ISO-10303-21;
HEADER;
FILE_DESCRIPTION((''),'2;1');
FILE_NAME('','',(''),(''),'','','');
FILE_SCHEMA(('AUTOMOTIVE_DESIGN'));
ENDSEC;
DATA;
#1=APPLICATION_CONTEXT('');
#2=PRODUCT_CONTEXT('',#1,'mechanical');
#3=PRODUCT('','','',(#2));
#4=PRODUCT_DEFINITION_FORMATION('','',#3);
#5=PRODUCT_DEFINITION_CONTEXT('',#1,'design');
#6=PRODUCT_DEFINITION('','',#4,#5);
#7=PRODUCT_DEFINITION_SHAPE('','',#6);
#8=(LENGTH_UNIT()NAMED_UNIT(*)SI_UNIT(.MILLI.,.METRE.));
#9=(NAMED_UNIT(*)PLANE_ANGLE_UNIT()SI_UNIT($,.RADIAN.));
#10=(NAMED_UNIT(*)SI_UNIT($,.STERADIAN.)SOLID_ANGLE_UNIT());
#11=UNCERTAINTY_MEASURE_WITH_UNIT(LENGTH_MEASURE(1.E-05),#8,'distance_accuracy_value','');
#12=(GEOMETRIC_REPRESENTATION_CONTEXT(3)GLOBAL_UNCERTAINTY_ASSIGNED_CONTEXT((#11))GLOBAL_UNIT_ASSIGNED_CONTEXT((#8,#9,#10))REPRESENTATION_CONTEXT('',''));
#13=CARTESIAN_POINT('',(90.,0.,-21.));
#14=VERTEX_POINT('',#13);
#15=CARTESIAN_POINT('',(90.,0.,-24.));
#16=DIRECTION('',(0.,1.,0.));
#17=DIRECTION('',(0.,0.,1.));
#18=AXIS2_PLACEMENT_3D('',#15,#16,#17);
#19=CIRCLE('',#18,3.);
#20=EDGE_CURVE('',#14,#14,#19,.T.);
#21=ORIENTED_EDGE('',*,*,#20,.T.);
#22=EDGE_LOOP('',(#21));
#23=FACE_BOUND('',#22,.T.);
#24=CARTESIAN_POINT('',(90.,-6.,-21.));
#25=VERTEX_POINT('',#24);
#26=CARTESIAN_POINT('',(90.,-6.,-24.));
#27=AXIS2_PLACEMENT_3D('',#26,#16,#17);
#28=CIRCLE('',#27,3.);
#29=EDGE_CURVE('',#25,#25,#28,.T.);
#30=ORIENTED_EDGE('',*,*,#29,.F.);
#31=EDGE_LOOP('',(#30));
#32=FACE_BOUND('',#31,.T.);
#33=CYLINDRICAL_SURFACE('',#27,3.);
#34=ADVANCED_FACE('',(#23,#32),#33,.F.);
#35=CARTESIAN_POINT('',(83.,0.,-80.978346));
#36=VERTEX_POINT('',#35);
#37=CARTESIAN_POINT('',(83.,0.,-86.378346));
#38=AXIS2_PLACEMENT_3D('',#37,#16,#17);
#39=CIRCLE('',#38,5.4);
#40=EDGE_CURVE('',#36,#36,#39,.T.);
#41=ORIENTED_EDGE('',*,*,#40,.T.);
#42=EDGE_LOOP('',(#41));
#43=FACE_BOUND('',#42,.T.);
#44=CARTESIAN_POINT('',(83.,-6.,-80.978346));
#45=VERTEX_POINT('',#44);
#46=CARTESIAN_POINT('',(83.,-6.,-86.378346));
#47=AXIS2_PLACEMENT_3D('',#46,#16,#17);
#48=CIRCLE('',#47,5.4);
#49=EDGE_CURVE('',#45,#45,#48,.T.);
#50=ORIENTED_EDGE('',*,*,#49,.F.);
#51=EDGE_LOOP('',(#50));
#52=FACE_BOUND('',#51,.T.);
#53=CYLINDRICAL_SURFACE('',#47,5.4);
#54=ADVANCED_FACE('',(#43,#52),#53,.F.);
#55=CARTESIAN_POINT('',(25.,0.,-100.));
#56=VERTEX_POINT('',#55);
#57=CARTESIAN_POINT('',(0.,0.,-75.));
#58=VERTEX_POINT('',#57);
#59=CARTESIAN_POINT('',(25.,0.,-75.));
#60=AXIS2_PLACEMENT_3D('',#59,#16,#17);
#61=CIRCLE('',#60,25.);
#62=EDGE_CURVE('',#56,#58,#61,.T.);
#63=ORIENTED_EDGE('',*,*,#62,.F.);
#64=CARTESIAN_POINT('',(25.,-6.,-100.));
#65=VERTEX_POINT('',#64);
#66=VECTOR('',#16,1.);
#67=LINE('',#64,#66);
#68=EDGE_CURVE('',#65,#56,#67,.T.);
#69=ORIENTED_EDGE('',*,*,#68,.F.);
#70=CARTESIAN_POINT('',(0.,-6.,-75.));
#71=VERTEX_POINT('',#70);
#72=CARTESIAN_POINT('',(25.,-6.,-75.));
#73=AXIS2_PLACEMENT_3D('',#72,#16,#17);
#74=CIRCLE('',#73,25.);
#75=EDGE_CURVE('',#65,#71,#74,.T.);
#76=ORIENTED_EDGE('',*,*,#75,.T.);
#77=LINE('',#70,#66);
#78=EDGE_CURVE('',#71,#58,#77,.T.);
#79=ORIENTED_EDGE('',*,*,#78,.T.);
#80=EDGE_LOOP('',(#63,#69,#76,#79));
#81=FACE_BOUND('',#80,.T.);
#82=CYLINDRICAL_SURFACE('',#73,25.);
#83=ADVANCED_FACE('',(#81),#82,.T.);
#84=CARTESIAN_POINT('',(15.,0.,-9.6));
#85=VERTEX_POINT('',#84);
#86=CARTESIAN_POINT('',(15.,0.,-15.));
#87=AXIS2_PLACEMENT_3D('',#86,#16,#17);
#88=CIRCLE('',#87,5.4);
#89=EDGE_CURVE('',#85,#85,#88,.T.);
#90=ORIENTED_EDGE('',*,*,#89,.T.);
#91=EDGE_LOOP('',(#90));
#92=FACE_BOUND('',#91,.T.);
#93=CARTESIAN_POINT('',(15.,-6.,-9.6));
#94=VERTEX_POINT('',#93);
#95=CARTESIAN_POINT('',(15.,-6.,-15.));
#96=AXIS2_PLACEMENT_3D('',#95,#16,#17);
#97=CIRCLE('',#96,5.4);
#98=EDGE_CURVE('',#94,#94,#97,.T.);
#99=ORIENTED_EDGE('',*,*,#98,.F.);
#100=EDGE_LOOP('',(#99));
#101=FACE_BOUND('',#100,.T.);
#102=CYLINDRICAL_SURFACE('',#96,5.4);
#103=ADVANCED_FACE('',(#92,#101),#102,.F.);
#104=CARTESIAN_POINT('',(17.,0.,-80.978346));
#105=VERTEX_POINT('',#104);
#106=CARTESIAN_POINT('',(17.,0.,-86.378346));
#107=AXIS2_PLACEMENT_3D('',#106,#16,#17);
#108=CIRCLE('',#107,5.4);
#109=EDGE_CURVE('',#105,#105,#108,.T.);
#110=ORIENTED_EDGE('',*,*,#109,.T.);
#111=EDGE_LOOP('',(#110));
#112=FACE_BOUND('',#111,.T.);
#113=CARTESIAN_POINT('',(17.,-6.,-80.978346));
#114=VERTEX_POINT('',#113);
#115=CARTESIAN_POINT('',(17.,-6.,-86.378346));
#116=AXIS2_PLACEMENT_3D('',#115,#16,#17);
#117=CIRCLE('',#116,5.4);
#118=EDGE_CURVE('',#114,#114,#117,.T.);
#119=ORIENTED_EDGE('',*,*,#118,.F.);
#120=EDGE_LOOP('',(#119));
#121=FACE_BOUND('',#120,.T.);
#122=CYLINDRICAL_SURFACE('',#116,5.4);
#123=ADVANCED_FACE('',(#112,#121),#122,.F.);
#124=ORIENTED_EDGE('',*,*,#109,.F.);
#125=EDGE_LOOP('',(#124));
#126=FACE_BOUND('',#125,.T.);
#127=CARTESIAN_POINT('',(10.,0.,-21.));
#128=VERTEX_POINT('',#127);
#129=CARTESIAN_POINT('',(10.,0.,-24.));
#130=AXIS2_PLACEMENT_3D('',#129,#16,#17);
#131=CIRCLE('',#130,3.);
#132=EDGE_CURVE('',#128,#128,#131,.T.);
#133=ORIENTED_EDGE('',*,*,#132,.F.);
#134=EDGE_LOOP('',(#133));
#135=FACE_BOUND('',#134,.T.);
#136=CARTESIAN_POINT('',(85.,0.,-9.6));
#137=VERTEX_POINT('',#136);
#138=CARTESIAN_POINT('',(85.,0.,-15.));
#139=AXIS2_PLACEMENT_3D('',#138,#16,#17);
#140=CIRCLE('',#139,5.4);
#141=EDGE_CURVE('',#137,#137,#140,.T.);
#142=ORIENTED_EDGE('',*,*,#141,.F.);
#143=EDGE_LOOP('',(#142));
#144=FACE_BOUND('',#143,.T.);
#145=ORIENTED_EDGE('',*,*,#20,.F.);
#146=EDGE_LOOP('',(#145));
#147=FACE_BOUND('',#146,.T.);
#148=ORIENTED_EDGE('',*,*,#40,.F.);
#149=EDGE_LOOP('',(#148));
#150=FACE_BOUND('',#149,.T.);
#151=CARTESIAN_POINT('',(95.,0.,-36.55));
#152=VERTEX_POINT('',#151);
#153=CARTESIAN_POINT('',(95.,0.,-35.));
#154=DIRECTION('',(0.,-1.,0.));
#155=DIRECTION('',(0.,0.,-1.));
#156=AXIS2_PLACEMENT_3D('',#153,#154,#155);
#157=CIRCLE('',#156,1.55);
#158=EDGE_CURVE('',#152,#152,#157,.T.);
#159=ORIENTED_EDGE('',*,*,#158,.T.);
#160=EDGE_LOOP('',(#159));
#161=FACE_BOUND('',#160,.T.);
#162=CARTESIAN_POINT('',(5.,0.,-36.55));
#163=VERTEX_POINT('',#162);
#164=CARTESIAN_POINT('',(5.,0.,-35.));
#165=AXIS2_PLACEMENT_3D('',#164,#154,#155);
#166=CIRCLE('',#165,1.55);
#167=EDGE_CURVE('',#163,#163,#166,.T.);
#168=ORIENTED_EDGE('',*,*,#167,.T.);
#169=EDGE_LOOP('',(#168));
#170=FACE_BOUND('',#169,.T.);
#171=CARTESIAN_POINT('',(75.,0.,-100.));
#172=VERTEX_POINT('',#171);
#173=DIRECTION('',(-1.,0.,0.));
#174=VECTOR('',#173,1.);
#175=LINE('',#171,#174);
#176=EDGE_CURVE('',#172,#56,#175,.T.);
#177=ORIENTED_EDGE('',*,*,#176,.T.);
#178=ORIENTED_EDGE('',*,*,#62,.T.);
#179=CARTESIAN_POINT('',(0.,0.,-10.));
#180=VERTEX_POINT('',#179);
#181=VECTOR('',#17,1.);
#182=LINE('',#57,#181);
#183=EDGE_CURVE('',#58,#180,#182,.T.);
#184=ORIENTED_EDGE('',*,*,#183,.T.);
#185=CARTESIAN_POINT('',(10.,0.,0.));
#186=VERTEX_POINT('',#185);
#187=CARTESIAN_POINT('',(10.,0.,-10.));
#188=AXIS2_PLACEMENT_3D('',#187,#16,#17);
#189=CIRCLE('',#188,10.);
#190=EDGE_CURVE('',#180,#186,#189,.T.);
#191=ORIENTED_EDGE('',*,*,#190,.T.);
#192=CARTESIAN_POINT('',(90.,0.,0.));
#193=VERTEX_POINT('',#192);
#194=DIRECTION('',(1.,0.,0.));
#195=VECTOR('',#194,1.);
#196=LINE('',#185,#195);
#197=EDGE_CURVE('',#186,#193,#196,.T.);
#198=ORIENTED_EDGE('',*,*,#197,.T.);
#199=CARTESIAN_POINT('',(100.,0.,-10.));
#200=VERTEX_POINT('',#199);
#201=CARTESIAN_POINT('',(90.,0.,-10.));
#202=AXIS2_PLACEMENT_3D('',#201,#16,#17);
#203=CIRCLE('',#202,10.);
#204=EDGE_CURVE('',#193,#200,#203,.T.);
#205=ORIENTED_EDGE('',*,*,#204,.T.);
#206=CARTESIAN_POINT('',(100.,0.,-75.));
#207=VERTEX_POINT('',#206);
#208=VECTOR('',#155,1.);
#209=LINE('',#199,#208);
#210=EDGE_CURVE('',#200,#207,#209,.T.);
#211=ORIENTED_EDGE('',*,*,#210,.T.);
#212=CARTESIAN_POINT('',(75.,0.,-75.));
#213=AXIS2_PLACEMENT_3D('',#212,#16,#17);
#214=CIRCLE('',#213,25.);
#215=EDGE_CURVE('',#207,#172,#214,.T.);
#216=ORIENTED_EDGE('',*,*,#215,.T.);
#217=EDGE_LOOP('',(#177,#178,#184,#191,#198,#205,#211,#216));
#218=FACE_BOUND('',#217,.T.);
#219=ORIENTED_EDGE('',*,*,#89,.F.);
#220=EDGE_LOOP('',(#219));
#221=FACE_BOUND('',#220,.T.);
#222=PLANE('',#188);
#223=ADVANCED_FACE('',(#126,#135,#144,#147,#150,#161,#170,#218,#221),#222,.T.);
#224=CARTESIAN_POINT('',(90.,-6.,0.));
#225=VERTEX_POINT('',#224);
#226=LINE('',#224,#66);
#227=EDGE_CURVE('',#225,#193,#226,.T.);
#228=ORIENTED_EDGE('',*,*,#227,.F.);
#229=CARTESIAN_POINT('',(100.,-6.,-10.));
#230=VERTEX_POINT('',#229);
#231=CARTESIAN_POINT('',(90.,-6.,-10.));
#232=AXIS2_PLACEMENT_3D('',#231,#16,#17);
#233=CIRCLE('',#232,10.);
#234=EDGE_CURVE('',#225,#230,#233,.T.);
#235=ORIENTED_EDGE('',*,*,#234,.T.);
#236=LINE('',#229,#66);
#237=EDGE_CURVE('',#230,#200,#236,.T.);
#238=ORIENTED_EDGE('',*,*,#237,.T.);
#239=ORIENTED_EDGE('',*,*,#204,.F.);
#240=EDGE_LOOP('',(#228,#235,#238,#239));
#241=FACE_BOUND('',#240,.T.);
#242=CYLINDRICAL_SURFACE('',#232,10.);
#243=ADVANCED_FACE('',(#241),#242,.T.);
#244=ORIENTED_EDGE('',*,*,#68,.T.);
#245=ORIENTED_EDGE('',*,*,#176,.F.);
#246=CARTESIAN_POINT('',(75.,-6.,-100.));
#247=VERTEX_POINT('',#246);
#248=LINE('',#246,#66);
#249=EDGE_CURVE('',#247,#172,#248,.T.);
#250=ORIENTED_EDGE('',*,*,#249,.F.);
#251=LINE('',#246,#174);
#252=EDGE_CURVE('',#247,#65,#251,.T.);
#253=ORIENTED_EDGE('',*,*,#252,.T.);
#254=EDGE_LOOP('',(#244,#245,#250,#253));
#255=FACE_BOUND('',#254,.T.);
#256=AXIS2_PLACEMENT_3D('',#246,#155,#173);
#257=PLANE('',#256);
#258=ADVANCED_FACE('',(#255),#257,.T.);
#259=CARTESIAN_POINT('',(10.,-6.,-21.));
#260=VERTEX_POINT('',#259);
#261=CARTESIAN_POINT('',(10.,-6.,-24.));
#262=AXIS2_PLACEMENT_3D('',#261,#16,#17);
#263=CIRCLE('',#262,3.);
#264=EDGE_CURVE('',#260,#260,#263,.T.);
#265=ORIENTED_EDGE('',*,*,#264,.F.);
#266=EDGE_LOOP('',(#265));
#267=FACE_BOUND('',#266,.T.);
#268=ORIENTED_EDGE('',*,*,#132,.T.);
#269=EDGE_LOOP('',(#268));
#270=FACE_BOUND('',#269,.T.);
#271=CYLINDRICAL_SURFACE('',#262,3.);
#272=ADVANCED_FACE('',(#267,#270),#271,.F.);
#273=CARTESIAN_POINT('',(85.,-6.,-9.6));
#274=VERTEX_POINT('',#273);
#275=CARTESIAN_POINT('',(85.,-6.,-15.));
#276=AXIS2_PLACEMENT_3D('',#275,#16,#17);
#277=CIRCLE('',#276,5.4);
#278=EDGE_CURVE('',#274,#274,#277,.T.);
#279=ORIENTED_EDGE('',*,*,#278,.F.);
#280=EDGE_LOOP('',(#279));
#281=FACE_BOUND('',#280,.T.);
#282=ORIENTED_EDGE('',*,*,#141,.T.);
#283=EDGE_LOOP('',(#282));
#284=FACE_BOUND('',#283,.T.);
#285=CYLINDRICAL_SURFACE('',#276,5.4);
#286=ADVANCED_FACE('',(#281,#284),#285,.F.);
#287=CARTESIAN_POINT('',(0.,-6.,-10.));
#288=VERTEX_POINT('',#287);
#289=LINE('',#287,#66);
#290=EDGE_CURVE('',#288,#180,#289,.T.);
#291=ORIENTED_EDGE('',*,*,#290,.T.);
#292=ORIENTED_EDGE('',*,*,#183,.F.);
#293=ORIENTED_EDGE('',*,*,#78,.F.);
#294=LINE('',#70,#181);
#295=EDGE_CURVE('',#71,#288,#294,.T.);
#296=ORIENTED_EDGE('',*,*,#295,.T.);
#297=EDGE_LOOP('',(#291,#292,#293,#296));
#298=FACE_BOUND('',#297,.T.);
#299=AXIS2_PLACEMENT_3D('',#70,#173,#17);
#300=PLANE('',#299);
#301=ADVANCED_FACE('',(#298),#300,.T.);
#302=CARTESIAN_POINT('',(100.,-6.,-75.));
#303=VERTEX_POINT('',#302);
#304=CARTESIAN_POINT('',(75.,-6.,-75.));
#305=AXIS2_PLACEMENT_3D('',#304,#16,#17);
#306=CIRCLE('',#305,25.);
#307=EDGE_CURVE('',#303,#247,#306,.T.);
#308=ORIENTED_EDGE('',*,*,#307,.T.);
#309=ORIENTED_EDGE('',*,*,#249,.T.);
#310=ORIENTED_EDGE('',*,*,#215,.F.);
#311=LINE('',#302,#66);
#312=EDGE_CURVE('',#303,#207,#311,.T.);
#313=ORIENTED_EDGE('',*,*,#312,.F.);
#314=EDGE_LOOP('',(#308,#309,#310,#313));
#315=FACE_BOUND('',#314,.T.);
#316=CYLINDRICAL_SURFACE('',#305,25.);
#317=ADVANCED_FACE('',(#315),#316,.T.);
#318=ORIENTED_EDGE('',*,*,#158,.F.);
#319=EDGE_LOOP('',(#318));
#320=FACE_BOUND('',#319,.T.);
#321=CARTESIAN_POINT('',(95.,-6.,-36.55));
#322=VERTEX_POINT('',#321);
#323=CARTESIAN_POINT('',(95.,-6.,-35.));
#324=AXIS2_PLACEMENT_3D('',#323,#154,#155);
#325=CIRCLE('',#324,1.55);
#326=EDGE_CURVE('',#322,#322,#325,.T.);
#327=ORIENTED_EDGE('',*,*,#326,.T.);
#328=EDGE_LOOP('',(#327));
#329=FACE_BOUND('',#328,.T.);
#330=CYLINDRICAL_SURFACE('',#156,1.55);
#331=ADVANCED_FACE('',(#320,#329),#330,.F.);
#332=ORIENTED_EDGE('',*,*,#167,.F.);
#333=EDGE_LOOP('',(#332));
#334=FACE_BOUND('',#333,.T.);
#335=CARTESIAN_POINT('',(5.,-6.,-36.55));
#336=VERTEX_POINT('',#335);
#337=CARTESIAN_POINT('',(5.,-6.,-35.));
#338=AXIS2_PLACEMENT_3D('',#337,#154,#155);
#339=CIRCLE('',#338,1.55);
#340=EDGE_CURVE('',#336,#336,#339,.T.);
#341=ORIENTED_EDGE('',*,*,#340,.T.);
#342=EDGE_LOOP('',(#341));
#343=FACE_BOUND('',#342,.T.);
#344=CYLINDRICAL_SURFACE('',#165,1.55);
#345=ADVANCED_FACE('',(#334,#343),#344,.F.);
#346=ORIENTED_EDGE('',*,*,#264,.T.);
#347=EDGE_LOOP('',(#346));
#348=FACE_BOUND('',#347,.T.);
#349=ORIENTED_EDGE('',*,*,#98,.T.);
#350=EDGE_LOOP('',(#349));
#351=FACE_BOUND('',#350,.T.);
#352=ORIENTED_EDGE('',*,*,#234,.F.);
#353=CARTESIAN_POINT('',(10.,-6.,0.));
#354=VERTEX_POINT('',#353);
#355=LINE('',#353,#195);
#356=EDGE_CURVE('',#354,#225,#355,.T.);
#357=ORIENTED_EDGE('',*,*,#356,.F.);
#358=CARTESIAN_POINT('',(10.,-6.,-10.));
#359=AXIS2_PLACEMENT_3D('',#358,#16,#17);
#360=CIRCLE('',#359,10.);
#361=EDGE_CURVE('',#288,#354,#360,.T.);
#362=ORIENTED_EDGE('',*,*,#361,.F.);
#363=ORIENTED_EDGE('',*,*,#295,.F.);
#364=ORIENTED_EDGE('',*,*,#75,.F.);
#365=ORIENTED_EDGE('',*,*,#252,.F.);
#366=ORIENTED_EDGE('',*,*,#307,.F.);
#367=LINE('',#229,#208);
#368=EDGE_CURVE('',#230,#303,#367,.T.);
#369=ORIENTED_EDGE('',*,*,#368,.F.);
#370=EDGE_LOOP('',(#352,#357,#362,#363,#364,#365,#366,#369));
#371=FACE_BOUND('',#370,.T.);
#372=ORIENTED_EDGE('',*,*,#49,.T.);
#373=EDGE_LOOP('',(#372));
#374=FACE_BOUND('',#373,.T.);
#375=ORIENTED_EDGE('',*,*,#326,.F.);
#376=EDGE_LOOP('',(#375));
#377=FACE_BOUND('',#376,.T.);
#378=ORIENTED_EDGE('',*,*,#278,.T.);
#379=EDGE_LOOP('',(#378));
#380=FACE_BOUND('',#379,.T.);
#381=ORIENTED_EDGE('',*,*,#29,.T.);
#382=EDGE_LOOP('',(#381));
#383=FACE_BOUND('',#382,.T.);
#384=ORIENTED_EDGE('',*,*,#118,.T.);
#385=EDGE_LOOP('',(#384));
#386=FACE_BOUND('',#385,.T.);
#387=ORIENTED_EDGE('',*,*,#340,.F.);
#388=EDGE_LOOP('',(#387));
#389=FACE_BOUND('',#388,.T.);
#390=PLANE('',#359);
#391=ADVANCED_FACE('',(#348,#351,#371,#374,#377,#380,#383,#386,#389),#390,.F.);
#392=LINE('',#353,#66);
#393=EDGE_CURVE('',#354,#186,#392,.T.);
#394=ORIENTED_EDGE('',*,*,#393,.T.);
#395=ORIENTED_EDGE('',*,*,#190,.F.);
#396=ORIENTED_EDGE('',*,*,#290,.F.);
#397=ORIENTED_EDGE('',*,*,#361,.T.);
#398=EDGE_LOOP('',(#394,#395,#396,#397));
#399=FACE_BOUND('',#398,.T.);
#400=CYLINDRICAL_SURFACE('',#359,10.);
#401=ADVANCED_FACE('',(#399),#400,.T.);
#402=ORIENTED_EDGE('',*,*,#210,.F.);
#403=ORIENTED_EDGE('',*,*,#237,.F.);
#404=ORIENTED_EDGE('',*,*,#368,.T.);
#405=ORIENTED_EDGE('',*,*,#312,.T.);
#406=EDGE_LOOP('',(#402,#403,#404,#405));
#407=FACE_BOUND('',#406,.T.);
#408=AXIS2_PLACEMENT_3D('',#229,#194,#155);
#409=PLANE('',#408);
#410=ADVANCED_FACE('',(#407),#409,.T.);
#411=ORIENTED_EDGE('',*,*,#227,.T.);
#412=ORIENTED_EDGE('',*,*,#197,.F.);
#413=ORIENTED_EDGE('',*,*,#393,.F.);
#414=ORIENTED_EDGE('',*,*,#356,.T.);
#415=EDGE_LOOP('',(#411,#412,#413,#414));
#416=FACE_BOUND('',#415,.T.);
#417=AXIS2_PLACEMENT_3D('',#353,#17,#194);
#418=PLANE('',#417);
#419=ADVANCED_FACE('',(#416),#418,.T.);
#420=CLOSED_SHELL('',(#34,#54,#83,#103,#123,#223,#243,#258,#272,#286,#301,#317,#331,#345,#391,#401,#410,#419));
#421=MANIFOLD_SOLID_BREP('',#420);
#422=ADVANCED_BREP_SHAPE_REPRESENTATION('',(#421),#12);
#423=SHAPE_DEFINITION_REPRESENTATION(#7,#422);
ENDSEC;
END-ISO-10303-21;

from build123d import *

# Parameters (mm, degrees)
DODANIE_WYCI_GNI_CIE1_DEPTH = 6
SZKIC2_R                    = 5.4
WYTNIJ_WYCI_GNI_CIE1_DEPTH  = 142.548578234
SZKIC3_R                    = 1.55
WYTNIJ_WYCI_GNI_CIE2_DEPTH  = 142.548578234
SZKIC4_R                    = 3
WYTNIJ_WYCI_GNI_CIE3_DEPTH  = 142.548578234


with BuildPart() as part:
    # Szkic1 → Dodanie-wyciągnięcie1 (new body)
    with BuildSketch(Plane(origin=(0, 0, 0), x_dir=(1, 0, 0), z_dir=(0, 1, 0))):
        with BuildLine():
            Line((10, 0), (90, 0))
            ThreePointArc((90, 0), (97.071067812, 2.928932188), (100, 10))
            Line((100, 10), (100, 75))
            ThreePointArc((100, 75), (92.67766953, 92.67766953), (75, 100))
            Line((75, 100), (25, 100))
            ThreePointArc((25, 100), (7.32233047, 92.67766953), (0, 75))
            Line((0, 75), (0, 10))
            ThreePointArc((0, 10), (2.928932188, 2.928932188), (10, 0))
        make_face()
    extrude(amount=-DODANIE_WYCI_GNI_CIE1_DEPTH)

    # Szkic2 → Wytnij-wyciągnięcie1 (cut, through all)
    with BuildSketch(Plane(origin=(0, 0, 0), x_dir=(1, 0, 0), z_dir=(0, 1, 0))):
        with Locations(Location((17, 86.378345537, 0), (0, 0, 270))):
            Circle(SZKIC2_R)
        with Locations(Location((83, 86.378345537, 0), (0, 0, 270))):
            Circle(SZKIC2_R)
        with Locations(Location((15, 15, 0), (0, 0, 270))):
            Circle(SZKIC2_R)
        with Locations(Location((85, 15, 0), (0, 0, 270))):
            Circle(SZKIC2_R)
    extrude(amount=-WYTNIJ_WYCI_GNI_CIE1_DEPTH, mode=Mode.SUBTRACT)

    # Szkic3 → Wytnij-wyciągnięcie2 (cut, through all)
    with BuildSketch(Plane.XZ.offset(6)):
        with Locations(Location((5, -35, 0), (0, 0, 270))):
            Circle(SZKIC3_R)
        with Locations(Location((95, -35, 0), (0, 0, 270))):
            Circle(SZKIC3_R)
    extrude(amount=-WYTNIJ_WYCI_GNI_CIE2_DEPTH, mode=Mode.SUBTRACT)

    # Szkic4 → Wytnij-wyciągnięcie3 (cut, through all)
    with BuildSketch(Plane(origin=(0, 0, 0), x_dir=(1, 0, 0), z_dir=(0, 1, 0))):
        with Locations(Location((90, 24, 0), (0, 0, 270))):
            Circle(SZKIC4_R)
        with Locations(Location((10, 24, 0), (0, 0, 270))):
            Circle(SZKIC4_R)
    extrude(amount=-WYTNIJ_WYCI_GNI_CIE3_DEPTH, mode=Mode.SUBTRACT)


solid = part.part
